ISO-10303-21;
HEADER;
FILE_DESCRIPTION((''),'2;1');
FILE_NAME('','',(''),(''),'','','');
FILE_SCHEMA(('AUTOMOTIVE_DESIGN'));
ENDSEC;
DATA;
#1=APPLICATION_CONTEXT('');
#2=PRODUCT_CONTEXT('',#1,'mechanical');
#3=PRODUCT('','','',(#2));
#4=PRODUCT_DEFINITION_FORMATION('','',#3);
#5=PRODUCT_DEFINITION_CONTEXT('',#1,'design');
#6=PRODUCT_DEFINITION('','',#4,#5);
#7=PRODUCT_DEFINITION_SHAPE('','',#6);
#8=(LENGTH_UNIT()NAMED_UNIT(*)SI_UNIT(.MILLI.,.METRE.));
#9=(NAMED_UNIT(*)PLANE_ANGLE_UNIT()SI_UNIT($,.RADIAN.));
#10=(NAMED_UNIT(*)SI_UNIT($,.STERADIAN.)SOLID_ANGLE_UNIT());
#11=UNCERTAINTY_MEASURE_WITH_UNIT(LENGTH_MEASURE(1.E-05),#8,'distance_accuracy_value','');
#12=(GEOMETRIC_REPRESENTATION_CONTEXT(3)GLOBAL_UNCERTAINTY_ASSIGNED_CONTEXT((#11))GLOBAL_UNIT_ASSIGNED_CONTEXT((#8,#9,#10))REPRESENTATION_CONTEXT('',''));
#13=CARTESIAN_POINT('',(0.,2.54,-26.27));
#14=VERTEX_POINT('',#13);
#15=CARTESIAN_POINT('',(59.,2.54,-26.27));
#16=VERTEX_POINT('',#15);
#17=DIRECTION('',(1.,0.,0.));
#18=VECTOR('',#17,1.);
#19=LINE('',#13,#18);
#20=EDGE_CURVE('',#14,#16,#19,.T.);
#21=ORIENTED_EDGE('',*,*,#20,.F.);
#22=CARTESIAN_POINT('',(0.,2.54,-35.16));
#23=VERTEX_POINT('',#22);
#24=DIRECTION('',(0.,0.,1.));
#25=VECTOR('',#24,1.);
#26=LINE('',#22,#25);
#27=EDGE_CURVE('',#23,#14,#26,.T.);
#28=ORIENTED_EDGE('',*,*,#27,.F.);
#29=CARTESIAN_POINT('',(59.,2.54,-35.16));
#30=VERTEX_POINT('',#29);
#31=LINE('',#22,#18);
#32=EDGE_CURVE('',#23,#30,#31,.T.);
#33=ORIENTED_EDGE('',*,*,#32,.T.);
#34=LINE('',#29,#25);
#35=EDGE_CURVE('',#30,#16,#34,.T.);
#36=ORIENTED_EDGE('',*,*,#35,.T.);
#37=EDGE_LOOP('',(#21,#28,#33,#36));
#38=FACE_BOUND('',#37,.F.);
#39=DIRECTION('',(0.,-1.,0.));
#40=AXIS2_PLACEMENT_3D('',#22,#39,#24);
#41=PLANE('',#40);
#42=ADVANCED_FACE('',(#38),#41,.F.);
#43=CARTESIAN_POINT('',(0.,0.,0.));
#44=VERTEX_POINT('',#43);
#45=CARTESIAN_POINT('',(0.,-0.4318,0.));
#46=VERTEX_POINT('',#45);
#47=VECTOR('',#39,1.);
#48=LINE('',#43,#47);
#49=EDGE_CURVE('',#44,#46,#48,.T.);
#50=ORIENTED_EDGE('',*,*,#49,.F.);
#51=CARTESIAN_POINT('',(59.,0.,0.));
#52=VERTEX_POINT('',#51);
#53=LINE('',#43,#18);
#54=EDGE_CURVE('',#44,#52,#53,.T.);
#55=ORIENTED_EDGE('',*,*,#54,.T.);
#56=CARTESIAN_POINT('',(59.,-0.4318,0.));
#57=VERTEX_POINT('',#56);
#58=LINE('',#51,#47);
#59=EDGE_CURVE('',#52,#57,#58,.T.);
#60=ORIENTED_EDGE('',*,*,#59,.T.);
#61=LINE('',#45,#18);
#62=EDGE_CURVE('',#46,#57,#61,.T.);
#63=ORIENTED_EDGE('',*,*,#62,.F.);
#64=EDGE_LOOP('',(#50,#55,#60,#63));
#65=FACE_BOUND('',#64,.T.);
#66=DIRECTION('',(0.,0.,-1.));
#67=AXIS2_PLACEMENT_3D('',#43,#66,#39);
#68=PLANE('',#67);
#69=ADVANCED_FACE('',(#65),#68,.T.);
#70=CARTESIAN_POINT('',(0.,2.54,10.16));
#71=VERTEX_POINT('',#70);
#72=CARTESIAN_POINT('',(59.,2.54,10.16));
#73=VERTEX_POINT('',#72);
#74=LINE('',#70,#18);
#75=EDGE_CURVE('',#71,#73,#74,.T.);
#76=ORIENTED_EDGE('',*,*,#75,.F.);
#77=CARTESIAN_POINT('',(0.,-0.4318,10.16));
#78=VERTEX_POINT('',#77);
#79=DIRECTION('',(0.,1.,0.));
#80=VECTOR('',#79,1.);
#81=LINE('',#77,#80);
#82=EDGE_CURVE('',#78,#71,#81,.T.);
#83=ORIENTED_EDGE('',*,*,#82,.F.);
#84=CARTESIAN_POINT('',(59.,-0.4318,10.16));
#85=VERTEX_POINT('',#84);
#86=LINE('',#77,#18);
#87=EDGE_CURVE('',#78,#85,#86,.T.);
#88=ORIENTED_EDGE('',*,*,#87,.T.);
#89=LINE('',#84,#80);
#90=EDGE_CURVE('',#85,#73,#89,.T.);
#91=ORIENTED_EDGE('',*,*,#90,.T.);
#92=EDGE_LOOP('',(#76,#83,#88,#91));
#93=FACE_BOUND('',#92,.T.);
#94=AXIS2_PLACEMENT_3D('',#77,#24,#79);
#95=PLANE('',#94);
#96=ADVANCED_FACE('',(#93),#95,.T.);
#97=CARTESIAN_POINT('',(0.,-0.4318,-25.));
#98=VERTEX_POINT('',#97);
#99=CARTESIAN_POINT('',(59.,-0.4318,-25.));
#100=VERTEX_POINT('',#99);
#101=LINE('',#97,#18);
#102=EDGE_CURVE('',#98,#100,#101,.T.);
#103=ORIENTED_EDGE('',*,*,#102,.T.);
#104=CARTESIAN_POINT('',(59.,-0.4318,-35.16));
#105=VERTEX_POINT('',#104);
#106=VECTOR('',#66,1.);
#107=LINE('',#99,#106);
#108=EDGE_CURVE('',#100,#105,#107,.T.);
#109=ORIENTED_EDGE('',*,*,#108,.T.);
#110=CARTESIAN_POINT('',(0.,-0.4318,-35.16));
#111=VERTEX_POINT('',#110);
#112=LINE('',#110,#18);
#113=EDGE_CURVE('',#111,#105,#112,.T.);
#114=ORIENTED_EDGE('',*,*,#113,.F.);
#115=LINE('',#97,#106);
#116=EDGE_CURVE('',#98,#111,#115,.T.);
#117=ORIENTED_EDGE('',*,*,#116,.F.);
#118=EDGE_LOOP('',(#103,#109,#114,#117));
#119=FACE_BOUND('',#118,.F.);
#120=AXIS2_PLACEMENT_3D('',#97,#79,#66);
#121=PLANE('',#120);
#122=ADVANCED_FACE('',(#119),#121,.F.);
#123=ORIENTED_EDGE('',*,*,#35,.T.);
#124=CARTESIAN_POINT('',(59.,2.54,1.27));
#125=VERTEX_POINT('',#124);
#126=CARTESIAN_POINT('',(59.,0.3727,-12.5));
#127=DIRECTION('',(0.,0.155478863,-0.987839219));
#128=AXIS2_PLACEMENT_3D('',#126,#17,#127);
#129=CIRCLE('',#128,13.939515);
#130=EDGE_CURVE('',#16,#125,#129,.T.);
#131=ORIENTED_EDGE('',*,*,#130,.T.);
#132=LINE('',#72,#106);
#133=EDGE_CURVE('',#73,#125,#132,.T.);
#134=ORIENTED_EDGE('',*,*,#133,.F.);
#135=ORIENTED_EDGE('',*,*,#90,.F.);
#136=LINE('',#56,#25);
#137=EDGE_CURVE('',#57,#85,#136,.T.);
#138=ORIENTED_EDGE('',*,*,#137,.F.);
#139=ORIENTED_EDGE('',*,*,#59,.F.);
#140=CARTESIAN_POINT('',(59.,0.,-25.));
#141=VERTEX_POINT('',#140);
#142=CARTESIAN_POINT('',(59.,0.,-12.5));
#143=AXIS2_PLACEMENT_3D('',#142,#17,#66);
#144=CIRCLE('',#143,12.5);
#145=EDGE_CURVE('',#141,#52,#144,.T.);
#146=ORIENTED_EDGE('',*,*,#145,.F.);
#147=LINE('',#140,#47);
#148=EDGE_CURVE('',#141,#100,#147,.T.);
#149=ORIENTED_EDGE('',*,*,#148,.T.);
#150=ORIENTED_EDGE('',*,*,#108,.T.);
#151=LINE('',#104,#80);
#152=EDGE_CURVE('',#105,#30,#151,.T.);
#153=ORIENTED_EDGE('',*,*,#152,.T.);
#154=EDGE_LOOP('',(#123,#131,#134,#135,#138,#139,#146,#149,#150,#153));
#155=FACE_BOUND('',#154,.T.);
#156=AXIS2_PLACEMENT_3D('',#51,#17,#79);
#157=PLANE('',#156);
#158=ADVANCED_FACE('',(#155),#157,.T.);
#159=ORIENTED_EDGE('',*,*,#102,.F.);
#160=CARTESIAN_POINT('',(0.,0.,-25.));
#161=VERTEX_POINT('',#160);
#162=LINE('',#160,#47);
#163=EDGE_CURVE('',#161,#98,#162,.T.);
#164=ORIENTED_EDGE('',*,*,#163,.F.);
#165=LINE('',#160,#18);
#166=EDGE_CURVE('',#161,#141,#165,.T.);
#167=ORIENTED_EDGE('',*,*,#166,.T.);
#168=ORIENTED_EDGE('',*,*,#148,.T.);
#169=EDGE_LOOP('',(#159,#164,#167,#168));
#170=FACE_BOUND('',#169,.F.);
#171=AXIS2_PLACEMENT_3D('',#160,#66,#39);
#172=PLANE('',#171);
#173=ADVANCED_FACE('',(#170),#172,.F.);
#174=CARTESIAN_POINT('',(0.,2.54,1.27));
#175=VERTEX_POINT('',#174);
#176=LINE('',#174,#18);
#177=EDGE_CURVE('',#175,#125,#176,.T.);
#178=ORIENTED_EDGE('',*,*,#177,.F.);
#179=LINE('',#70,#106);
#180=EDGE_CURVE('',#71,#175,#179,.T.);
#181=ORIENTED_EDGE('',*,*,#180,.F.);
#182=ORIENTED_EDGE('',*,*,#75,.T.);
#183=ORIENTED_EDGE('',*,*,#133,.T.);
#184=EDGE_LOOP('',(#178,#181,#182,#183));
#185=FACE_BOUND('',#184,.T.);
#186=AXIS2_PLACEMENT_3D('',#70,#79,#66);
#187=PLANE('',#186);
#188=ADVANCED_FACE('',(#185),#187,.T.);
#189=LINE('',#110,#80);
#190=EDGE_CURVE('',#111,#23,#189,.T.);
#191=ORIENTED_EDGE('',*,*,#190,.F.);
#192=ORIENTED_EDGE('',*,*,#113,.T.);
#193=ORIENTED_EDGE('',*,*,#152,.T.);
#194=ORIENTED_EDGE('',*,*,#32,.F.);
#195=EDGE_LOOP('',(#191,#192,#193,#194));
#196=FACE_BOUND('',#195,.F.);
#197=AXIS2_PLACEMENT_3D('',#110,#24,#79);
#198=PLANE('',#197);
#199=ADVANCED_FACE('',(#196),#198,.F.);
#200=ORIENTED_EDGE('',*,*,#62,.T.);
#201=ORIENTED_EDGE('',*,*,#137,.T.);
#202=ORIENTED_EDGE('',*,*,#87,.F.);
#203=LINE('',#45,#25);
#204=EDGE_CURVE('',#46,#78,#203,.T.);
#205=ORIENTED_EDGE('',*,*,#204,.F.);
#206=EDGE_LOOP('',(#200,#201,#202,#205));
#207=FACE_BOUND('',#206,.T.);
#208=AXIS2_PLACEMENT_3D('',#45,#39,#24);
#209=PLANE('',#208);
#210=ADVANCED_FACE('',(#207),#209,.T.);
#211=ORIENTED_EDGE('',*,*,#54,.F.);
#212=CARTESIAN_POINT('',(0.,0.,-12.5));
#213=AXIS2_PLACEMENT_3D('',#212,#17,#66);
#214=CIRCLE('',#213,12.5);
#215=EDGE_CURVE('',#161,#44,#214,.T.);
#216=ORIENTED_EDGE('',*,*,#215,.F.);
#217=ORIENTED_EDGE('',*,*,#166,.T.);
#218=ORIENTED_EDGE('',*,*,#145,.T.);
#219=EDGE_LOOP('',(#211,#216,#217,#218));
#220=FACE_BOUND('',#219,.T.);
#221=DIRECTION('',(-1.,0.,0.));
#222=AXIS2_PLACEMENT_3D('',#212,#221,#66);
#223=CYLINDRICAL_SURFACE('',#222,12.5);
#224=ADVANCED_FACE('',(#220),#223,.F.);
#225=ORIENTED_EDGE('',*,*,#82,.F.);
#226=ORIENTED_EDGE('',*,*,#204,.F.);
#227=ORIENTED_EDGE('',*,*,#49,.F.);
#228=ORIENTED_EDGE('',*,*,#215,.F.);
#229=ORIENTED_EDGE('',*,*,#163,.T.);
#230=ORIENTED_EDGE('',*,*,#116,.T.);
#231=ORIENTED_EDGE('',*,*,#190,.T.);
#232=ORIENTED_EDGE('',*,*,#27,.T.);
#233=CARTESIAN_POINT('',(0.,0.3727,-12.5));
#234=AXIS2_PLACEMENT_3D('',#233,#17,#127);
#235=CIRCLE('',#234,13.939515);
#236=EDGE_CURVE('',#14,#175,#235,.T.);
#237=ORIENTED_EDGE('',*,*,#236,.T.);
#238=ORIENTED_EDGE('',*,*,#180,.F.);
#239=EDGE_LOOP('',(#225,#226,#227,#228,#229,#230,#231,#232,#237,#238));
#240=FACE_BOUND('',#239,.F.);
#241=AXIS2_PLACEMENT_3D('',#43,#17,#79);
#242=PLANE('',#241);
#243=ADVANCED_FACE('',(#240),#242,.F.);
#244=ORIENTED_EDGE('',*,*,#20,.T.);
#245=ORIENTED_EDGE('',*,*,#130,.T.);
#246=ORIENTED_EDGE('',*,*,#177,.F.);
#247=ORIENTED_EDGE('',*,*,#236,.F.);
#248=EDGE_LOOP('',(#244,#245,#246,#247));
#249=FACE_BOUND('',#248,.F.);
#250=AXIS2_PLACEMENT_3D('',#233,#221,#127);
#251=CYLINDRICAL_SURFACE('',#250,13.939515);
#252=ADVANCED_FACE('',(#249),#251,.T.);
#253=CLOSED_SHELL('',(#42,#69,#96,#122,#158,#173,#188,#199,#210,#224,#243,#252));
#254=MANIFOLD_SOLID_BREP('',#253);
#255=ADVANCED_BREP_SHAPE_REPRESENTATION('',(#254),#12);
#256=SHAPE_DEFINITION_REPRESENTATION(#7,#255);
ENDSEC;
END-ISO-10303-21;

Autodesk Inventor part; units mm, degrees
ref_plane "YZ Plane" through (0, 0, 0) normal (1, 0, 0) x (0, 1, 0)
ref_plane "XZ Plane" through (0, 0, 0) normal (0, 1, 0) x (-1, 0, 0)
ref_plane "XY Plane" through (0, 0, 0) normal (0, 0, 1) x (1, 0, 0)
sketch "Sketch1" plane through (0, 0, 0) normal (1, 0, 0) x (0, 1, 0)
  arc A0 (0, -25) -> (0, 0) centre (0, -12.5) ccw
  arc A1 (2.54, -26.27) -> (2.54, 1.27) centre (0.3727, -12.5) ccw
  line L0 (0, 0) -> (-0.4318, 0)
  line L1 (-0.4318, 0) -> (-0.4318, 10.16)
  line L2 (-0.4318, 10.16) -> (2.54, 10.16)
  line L3 (2.54, 10.16) -> (2.54, 1.27)
  line L4 (2.54, 1.27) -> (2.54, 1.27)
  line L5 (0, -25) -> (-0.4318, -25)
  line L6 (-0.4318, -25) -> (-0.4318, -35.16)
  line L7 (-0.4318, -35.16) -> (2.54, -35.16)
  line L8 (2.54, -35.16) -> (2.54, -26.27)
  line L9 (2.54, -26.27) -> (2.54, -26.27)
  dimension "d0" = 25
  dimension "d9" = 13.77
  dimension "d11" = 12.5
  dimension "d41" = 10.16
  dimension "d45" = 10.16
  dimension "d47" = 1.27
  dimension "d48" = 1.27
  dimension "d50" = 13.9395
  dimension "d52" = 0.3727
  dimension "d54" = 0
  dimension "d55" = 0
extrude "Extrusion1" add sketch "Sketch1" along normal blind 59
properties part number "attachment"
